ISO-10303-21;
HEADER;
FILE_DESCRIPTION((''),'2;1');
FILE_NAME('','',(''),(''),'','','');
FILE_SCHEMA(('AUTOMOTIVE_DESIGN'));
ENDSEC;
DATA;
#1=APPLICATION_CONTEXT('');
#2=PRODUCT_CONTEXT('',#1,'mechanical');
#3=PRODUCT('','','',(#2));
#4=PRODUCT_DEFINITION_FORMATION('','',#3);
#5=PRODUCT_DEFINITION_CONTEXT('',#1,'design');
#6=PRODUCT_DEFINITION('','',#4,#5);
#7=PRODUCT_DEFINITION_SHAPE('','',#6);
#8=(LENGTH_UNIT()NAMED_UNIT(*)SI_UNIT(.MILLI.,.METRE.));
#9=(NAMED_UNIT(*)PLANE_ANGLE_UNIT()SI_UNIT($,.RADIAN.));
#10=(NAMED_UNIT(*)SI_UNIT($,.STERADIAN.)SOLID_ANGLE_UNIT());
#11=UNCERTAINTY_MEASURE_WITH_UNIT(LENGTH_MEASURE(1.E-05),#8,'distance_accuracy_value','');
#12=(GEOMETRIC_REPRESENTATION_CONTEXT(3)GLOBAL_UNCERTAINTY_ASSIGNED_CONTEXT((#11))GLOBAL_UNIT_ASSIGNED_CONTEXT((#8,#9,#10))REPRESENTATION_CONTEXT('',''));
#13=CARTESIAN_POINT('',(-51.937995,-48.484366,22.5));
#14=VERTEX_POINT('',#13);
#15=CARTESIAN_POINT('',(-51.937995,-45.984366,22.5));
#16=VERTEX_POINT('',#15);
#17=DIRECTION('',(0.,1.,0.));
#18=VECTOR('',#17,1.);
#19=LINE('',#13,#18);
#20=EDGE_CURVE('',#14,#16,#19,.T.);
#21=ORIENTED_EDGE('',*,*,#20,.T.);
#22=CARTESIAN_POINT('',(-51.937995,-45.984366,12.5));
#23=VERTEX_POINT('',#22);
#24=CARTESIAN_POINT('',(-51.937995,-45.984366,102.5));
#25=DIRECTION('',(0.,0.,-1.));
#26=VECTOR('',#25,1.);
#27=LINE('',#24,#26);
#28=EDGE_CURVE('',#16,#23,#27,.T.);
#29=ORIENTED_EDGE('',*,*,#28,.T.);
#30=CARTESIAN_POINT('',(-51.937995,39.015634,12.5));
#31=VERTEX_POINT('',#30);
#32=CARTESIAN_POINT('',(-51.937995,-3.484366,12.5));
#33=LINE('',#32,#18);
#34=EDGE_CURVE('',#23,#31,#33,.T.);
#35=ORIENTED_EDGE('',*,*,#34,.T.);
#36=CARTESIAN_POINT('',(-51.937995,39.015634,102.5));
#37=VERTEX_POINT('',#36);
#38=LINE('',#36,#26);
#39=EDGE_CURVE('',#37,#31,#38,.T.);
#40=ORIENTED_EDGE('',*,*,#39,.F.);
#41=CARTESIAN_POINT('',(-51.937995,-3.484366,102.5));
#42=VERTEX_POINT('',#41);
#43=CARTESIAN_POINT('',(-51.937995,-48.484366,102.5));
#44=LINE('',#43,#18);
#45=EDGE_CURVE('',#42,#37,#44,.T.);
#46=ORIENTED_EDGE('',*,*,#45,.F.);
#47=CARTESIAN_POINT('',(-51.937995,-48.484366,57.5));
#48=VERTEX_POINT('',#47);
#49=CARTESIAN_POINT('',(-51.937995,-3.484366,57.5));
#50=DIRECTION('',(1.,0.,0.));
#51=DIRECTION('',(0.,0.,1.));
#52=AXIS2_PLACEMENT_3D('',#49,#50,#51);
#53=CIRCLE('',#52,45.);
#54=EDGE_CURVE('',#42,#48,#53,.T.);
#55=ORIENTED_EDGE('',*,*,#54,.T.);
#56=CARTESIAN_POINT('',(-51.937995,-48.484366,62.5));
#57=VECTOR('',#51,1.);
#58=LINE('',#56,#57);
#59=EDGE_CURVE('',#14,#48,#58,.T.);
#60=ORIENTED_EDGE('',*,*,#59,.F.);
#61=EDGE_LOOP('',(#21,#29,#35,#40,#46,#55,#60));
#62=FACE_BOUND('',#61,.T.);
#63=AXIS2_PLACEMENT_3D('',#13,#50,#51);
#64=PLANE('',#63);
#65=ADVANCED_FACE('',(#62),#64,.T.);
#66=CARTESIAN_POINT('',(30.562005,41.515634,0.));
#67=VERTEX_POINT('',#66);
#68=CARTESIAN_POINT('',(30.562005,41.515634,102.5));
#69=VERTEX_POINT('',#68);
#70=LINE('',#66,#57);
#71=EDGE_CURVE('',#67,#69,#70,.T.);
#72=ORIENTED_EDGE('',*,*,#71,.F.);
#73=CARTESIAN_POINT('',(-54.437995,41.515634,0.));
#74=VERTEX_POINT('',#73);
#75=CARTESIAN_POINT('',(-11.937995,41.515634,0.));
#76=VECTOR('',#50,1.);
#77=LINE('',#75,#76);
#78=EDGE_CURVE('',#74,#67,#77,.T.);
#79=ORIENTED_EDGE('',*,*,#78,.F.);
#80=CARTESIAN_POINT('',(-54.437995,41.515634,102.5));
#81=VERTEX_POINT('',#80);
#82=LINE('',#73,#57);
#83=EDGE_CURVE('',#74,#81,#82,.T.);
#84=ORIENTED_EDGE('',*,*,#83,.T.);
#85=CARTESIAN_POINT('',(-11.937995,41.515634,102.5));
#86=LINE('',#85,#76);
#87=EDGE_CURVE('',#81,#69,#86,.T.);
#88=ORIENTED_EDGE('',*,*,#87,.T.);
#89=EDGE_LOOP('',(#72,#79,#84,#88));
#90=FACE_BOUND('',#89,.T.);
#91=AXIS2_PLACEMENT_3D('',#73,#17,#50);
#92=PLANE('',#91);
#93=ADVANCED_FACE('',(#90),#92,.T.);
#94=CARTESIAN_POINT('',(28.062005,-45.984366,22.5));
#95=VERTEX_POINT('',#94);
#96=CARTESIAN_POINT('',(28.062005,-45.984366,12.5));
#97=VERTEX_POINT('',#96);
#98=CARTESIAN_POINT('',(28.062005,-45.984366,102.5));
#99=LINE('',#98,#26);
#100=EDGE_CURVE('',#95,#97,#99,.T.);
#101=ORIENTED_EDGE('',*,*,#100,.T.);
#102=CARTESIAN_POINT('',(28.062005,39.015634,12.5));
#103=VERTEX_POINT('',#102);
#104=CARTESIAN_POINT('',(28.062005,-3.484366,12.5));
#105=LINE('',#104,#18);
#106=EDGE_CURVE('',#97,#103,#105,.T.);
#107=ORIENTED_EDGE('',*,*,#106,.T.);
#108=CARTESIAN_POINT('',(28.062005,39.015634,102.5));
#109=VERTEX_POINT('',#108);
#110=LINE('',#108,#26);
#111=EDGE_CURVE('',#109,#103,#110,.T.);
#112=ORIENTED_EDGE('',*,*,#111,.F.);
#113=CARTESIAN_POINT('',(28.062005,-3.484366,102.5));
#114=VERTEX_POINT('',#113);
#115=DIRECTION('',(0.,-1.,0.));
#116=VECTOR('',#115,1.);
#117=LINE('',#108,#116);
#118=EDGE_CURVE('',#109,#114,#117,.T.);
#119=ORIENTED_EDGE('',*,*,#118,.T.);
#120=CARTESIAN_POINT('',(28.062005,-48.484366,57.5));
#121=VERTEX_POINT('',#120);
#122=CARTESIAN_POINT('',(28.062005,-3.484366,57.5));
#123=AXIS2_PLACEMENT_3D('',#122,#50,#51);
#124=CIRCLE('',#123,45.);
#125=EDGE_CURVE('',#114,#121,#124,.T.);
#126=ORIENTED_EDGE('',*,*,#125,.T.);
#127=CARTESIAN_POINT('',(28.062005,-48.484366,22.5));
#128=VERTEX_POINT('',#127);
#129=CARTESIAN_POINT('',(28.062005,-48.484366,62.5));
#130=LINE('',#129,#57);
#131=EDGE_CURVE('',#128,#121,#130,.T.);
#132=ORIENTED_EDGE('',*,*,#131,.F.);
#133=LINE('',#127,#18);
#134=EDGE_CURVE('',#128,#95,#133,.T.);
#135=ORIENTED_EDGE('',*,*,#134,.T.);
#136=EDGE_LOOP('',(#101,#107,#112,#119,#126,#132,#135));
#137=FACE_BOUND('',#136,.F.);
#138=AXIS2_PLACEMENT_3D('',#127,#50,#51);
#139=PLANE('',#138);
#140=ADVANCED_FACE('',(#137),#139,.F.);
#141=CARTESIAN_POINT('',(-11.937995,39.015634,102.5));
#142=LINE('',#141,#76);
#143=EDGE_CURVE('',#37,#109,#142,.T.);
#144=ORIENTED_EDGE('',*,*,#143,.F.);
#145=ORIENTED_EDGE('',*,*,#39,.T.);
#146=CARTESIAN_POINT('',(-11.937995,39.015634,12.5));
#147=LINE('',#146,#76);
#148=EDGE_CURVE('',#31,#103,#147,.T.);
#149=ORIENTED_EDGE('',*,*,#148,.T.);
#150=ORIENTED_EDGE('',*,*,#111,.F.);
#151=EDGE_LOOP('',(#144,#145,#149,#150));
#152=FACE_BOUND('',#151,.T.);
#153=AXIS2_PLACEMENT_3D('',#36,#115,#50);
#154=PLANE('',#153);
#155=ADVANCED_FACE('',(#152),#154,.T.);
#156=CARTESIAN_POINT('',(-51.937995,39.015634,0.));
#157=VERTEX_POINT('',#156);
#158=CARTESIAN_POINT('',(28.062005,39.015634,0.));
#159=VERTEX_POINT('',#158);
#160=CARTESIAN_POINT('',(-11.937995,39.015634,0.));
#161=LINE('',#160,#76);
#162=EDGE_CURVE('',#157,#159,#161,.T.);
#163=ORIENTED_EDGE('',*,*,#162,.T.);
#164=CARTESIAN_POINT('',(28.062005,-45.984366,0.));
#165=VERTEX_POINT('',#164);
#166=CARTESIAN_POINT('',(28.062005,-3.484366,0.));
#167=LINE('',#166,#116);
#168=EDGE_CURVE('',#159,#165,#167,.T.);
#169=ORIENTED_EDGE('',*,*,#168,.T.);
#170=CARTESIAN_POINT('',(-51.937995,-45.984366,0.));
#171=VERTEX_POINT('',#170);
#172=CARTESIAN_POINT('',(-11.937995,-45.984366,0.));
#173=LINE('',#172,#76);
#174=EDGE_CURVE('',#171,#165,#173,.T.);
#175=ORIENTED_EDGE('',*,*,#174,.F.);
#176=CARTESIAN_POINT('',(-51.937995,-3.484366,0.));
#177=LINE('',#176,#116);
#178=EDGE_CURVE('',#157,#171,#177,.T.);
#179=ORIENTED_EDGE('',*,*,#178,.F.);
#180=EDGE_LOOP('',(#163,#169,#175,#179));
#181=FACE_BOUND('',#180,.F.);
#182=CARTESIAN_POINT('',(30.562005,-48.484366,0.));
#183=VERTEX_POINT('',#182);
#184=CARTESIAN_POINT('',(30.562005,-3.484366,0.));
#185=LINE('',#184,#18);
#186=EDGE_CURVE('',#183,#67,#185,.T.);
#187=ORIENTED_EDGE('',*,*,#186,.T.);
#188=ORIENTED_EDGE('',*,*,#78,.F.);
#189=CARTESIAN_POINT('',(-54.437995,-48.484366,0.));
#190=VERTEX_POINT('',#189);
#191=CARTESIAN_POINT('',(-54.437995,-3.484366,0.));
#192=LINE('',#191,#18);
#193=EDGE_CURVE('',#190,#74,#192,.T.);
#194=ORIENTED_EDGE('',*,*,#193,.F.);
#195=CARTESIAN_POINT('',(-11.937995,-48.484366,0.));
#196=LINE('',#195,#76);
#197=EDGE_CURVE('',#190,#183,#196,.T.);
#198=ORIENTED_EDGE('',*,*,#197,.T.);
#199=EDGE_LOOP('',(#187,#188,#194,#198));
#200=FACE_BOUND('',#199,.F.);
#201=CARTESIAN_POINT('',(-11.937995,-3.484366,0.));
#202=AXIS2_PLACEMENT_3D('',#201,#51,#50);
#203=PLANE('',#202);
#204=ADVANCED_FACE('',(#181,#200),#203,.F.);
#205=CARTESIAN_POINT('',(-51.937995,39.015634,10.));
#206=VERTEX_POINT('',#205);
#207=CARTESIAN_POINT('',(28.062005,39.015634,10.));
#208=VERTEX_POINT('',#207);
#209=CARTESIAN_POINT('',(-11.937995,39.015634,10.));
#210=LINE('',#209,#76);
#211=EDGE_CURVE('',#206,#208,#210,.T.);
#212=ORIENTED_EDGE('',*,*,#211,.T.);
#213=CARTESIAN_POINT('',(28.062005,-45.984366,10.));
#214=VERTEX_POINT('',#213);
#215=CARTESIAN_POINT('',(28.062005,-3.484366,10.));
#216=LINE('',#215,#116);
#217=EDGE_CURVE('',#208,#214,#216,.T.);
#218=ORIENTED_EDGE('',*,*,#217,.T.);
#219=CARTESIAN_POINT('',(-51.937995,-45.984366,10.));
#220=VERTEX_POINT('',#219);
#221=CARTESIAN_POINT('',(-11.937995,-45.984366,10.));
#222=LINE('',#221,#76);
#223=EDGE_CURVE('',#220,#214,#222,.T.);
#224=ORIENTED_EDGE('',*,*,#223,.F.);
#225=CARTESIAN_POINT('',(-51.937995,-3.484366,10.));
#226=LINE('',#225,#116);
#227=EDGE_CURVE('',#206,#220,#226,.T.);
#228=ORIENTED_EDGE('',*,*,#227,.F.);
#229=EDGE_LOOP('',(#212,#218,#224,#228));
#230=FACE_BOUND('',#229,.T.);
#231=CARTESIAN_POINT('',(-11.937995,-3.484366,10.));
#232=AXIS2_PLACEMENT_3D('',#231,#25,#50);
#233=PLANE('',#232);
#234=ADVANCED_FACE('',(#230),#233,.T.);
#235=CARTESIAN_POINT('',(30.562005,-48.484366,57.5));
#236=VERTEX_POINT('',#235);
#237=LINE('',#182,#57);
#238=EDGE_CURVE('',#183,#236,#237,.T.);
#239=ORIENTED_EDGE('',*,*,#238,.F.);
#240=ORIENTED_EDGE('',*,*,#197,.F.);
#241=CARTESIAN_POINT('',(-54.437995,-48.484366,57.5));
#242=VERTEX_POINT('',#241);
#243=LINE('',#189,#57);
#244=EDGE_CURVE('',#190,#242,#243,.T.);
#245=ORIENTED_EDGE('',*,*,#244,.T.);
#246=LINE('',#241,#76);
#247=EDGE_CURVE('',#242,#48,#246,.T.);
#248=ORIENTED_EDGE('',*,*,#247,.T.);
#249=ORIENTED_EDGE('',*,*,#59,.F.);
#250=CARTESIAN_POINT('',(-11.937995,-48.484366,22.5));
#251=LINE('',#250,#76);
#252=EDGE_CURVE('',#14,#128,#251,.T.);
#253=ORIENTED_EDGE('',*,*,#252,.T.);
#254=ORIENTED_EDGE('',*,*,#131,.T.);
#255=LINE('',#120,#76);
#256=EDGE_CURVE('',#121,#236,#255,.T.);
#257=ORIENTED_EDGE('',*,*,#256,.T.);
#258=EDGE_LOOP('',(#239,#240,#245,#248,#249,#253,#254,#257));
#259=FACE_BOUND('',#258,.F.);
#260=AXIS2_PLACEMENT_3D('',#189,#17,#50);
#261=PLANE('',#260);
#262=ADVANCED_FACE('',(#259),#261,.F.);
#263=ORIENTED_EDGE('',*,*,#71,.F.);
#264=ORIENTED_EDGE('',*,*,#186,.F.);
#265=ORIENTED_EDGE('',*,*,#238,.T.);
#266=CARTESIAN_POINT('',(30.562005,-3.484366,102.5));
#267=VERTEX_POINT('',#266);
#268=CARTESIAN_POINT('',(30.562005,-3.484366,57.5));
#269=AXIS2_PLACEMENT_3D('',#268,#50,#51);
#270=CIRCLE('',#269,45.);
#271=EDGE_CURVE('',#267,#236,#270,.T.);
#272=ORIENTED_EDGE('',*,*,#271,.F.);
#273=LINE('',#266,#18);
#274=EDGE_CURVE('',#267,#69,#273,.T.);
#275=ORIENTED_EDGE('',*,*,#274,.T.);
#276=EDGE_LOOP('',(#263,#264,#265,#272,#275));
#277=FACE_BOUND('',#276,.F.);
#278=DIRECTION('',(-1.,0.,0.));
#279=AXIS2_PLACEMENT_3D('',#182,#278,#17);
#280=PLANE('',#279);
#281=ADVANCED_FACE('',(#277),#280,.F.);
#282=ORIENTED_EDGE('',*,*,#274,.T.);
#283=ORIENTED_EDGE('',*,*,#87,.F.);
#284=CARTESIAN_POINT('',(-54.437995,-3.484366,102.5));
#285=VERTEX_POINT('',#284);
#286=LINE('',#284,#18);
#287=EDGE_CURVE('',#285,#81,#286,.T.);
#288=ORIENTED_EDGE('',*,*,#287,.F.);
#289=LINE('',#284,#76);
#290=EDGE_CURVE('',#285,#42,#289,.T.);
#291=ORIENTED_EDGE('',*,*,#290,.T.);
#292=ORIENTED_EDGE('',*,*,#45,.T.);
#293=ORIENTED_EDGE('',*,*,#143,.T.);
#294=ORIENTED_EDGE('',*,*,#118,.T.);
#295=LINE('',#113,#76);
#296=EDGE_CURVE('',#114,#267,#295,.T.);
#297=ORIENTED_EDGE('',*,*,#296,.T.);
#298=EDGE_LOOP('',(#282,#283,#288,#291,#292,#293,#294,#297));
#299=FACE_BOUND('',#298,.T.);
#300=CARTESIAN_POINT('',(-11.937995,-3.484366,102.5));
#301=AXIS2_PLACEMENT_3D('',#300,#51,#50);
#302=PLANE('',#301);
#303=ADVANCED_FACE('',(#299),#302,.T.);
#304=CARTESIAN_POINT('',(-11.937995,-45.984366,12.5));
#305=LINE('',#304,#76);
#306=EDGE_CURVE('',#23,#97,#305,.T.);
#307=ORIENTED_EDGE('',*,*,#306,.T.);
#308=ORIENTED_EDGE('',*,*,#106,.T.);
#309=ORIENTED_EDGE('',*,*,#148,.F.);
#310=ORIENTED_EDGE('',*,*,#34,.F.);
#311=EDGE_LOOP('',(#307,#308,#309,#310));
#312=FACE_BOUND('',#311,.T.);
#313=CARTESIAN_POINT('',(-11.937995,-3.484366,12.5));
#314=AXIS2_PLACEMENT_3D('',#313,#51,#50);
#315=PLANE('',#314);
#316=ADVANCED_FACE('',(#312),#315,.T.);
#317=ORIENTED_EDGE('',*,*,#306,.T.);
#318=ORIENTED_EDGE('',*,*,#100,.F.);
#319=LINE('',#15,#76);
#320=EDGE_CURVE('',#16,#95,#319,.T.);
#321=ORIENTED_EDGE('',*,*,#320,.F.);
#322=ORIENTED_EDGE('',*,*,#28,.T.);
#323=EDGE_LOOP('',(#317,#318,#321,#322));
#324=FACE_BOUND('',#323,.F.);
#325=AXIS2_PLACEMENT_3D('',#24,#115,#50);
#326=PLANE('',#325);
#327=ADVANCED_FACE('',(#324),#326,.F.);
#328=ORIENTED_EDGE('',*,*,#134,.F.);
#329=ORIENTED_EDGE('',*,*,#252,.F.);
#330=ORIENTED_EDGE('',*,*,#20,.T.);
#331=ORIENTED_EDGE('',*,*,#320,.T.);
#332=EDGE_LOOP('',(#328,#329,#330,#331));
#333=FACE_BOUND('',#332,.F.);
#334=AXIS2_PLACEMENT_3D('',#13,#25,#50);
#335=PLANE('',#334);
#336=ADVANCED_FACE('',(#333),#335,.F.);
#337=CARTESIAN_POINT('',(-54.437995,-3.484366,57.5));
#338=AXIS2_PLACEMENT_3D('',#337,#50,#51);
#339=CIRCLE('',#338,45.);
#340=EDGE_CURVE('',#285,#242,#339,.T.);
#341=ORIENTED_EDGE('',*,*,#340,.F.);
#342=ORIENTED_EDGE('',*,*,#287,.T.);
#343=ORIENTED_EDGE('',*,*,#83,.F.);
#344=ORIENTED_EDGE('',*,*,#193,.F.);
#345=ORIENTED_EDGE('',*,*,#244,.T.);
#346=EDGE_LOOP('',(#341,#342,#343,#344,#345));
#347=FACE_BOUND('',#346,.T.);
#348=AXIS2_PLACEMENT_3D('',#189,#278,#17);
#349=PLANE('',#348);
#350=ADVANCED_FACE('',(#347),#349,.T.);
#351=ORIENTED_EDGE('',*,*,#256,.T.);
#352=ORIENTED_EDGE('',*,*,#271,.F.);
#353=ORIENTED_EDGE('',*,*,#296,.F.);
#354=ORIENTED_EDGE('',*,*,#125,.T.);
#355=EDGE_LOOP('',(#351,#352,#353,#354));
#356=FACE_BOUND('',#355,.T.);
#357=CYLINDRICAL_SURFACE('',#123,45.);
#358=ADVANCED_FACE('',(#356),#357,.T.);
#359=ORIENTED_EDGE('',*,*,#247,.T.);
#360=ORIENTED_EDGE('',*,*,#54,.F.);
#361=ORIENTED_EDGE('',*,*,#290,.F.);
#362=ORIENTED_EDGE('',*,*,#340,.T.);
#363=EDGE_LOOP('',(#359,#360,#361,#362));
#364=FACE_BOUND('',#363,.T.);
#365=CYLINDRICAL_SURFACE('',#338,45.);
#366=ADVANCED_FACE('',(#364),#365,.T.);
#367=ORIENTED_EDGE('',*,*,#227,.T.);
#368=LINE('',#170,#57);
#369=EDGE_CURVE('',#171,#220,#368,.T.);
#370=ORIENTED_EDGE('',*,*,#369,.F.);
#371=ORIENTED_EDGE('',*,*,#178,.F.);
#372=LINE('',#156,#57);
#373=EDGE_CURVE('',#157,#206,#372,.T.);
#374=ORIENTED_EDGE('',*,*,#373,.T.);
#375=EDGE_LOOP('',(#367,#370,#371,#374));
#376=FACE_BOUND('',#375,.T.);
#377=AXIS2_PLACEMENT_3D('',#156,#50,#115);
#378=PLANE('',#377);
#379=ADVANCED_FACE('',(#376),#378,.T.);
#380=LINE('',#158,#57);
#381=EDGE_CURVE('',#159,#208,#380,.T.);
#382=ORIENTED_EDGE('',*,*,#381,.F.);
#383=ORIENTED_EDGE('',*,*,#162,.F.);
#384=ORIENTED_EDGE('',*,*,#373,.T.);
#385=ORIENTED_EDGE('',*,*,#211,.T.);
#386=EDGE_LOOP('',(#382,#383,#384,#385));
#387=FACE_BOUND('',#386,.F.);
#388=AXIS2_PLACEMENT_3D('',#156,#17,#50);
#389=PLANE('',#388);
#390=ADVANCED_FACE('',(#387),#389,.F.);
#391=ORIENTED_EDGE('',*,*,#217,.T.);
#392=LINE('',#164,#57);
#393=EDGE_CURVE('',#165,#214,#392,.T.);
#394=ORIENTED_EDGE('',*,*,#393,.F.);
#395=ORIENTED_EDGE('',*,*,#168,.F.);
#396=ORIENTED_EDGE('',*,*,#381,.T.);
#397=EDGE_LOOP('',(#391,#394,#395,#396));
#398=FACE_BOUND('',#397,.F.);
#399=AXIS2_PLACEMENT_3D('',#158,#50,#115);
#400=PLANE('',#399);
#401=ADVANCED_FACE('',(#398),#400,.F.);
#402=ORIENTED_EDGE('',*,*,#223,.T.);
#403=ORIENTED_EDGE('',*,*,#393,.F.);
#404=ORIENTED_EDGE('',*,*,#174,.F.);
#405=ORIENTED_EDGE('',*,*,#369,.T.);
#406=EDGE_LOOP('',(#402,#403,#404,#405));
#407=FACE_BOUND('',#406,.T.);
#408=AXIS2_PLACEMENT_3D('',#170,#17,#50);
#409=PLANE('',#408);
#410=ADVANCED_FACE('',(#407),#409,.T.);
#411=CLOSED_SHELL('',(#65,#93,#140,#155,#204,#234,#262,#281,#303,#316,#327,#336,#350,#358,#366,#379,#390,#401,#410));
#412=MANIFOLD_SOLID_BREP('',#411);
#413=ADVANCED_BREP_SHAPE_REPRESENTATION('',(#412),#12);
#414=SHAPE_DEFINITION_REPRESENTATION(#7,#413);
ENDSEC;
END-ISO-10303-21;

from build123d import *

# Parameters (mm, degrees)
F0_W     = 85
F0_H     = 90
F1_DEPTH = 102.5
F2_W     = 80
F2_H     = 85
F3_DEPTH = 10
F4_W     = 80
F4_H     = 85
F5_DEPTH = 90
F6_W     = 80
F6_H     = 80
F7_DEPTH = 25
F8_R     = 45


with BuildPart() as f1:
    # F0 (on Top) → F1 (new body)
    with BuildSketch(Plane.XY):
        with Locations((-11.937995, -3.484366)):
            Rectangle(F0_W, F0_H)
    extrude(amount=F1_DEPTH)

    # F2 (on face) → F3 (cut)
    with BuildSketch(Plane(origin=(0, 0, 0), x_dir=(1, 0, 0), z_dir=(0, 0, -1))):
        with Locations((-11.937995, 3.484366)):
            Rectangle(F2_W, F2_H)
    extrude(amount=-F3_DEPTH, mode=Mode.SUBTRACT)

    # F4 (on face) → F5 (cut)
    with BuildSketch(Plane.XY.offset(102.5)):
        with Locations((-11.937995, -3.484366)):
            Rectangle(F4_W, F4_H)
    extrude(amount=-F5_DEPTH, mode=Mode.SUBTRACT)

    # F6 (on face) → F7 (cut)
    with BuildSketch(Plane.XZ.offset(48.484366)):
        with Locations((-11.937995, 62.5)):
            Rectangle(F6_W, F6_H)
    extrude(amount=-F7_DEPTH, mode=Mode.SUBTRACT)

    # F8
    f8_edges = [f1.edges().sort_by_distance(p)[0] for p in [
        (-53.187995, -48.484366, 102.5),
        (29.312005, -48.484366, 102.5),
    ]]
    fillet(f8_edges, radius=F8_R)


solid = f1.part
